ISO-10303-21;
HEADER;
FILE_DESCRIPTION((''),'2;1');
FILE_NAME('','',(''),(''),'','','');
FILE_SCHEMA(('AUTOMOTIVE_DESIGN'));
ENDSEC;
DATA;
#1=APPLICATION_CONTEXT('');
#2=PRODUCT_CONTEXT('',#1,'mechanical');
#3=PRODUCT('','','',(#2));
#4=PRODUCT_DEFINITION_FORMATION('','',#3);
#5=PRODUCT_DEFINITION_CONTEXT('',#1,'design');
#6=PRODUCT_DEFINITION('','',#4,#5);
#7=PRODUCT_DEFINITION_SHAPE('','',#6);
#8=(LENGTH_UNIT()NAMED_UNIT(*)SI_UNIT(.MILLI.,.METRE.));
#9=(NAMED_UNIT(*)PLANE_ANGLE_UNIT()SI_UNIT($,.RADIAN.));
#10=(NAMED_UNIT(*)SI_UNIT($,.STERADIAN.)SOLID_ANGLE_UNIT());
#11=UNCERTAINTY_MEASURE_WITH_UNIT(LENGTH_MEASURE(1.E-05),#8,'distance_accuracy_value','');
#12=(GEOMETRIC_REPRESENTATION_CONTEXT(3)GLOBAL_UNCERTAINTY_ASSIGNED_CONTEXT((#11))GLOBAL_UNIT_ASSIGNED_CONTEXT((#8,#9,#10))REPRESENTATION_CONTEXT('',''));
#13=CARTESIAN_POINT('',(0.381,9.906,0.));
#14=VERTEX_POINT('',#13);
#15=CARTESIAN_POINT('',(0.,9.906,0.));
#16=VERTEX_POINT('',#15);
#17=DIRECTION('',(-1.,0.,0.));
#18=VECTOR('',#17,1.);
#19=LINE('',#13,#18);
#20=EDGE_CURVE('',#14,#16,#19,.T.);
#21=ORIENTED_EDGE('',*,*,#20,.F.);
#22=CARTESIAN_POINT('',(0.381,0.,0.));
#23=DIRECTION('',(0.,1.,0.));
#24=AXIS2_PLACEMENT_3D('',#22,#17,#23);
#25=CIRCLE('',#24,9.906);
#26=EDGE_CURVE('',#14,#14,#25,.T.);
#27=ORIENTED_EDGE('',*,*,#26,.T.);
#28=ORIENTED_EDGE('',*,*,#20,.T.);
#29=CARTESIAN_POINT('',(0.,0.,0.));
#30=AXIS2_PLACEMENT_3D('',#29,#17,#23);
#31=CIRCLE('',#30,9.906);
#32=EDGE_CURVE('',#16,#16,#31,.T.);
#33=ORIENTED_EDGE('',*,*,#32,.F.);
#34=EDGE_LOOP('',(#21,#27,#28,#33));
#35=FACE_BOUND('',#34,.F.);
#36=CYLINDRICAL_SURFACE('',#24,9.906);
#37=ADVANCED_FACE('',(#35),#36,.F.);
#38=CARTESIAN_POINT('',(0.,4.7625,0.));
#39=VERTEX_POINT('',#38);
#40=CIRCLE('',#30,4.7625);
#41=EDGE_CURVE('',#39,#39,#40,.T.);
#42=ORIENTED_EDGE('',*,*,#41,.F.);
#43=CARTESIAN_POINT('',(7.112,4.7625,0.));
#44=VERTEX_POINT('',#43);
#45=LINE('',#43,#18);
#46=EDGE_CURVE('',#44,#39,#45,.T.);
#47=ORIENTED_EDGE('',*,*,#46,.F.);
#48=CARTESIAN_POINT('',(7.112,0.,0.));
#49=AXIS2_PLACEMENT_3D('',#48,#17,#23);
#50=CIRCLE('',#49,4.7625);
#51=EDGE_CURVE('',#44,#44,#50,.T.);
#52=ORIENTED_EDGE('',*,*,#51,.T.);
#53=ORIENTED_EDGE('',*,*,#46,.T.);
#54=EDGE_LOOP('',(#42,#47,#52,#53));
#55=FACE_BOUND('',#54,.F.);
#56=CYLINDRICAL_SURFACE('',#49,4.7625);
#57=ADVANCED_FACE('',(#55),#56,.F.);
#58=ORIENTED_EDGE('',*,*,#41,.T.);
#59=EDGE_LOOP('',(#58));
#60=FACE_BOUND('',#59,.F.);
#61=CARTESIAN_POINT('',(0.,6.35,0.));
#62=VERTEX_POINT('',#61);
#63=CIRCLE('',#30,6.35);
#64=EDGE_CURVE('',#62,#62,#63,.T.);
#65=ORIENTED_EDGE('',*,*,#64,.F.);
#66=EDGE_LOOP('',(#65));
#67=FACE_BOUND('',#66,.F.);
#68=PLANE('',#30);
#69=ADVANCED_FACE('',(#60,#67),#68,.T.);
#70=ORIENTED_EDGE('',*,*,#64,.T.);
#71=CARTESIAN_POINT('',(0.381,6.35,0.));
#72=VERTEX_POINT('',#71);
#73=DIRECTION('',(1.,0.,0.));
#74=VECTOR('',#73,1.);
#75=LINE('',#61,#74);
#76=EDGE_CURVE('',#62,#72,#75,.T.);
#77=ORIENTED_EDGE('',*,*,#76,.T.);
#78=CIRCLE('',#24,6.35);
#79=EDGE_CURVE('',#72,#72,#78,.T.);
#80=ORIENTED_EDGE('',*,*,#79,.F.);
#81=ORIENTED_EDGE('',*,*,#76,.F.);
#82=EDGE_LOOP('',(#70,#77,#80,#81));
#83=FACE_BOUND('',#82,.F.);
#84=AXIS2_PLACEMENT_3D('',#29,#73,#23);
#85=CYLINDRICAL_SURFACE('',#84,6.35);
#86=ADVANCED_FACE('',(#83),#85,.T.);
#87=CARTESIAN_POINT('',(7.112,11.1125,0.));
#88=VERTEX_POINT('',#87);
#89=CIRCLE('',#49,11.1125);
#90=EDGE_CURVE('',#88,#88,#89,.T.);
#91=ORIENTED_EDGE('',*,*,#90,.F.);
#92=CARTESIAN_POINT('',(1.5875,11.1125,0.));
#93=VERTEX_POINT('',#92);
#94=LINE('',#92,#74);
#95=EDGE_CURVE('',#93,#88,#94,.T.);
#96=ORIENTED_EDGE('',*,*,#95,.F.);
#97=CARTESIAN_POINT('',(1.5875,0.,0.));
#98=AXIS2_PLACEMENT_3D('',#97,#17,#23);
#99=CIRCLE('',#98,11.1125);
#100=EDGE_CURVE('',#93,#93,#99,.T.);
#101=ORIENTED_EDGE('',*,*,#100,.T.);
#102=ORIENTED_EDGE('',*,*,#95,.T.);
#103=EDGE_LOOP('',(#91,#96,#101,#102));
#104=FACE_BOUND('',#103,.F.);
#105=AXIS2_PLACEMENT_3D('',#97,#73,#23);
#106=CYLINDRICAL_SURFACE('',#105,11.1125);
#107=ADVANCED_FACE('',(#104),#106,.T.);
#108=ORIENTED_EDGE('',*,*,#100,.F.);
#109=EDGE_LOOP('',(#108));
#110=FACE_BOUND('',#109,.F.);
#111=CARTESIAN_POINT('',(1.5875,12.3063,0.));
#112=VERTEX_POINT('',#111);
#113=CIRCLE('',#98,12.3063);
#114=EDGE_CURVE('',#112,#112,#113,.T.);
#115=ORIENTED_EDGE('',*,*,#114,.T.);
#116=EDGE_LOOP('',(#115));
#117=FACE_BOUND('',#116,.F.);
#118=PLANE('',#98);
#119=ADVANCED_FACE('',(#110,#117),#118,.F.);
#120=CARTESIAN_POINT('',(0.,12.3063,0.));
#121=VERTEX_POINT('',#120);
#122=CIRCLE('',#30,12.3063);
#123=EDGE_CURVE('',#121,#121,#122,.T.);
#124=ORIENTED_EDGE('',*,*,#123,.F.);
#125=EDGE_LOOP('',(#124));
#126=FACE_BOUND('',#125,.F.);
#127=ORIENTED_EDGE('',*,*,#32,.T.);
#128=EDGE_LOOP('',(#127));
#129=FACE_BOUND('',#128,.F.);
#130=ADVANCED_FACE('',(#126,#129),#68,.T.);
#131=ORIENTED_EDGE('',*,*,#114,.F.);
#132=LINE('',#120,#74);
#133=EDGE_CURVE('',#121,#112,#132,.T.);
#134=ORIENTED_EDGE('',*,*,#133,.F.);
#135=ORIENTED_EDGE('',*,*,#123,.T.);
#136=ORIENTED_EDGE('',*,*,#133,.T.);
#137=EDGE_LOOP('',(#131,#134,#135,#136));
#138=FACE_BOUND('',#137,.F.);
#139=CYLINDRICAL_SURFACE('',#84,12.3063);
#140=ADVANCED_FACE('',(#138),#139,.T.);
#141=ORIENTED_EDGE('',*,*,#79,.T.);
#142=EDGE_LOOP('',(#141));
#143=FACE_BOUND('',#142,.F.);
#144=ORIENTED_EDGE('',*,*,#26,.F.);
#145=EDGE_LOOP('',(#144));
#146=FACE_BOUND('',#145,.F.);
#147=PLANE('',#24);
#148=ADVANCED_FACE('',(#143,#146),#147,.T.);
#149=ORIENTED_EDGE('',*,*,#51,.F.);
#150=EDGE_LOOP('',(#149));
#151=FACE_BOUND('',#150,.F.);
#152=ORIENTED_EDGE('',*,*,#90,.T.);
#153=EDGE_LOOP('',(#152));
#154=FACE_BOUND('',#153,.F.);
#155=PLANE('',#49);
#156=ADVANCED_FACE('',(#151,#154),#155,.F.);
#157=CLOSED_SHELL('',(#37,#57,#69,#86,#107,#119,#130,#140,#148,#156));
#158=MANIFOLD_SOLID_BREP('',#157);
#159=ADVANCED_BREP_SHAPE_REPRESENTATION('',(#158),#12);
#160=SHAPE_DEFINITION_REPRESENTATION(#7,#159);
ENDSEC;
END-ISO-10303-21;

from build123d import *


with BuildPart() as part:
    # Sketch1 → Revolve1 (revolve)
    with BuildSketch(Plane(origin=(0, 0, 0), x_dir=(-1, 0, 0), z_dir=(0, 0, -1))):
        Polygon((-0.381, 6.35), (-0.381, 9.906), (0, 9.906), (0, 12.3063), (-1.5875, 12.3063), (-1.5875, 11.1125), (-7.112, 11.1125), (-7.112, 4.7625), (0, 4.7625), (0, 6.35), align=None)
    revolve(axis=Axis((7.112, 0, 0), (-1, 0, 0)))


solid = part.part
